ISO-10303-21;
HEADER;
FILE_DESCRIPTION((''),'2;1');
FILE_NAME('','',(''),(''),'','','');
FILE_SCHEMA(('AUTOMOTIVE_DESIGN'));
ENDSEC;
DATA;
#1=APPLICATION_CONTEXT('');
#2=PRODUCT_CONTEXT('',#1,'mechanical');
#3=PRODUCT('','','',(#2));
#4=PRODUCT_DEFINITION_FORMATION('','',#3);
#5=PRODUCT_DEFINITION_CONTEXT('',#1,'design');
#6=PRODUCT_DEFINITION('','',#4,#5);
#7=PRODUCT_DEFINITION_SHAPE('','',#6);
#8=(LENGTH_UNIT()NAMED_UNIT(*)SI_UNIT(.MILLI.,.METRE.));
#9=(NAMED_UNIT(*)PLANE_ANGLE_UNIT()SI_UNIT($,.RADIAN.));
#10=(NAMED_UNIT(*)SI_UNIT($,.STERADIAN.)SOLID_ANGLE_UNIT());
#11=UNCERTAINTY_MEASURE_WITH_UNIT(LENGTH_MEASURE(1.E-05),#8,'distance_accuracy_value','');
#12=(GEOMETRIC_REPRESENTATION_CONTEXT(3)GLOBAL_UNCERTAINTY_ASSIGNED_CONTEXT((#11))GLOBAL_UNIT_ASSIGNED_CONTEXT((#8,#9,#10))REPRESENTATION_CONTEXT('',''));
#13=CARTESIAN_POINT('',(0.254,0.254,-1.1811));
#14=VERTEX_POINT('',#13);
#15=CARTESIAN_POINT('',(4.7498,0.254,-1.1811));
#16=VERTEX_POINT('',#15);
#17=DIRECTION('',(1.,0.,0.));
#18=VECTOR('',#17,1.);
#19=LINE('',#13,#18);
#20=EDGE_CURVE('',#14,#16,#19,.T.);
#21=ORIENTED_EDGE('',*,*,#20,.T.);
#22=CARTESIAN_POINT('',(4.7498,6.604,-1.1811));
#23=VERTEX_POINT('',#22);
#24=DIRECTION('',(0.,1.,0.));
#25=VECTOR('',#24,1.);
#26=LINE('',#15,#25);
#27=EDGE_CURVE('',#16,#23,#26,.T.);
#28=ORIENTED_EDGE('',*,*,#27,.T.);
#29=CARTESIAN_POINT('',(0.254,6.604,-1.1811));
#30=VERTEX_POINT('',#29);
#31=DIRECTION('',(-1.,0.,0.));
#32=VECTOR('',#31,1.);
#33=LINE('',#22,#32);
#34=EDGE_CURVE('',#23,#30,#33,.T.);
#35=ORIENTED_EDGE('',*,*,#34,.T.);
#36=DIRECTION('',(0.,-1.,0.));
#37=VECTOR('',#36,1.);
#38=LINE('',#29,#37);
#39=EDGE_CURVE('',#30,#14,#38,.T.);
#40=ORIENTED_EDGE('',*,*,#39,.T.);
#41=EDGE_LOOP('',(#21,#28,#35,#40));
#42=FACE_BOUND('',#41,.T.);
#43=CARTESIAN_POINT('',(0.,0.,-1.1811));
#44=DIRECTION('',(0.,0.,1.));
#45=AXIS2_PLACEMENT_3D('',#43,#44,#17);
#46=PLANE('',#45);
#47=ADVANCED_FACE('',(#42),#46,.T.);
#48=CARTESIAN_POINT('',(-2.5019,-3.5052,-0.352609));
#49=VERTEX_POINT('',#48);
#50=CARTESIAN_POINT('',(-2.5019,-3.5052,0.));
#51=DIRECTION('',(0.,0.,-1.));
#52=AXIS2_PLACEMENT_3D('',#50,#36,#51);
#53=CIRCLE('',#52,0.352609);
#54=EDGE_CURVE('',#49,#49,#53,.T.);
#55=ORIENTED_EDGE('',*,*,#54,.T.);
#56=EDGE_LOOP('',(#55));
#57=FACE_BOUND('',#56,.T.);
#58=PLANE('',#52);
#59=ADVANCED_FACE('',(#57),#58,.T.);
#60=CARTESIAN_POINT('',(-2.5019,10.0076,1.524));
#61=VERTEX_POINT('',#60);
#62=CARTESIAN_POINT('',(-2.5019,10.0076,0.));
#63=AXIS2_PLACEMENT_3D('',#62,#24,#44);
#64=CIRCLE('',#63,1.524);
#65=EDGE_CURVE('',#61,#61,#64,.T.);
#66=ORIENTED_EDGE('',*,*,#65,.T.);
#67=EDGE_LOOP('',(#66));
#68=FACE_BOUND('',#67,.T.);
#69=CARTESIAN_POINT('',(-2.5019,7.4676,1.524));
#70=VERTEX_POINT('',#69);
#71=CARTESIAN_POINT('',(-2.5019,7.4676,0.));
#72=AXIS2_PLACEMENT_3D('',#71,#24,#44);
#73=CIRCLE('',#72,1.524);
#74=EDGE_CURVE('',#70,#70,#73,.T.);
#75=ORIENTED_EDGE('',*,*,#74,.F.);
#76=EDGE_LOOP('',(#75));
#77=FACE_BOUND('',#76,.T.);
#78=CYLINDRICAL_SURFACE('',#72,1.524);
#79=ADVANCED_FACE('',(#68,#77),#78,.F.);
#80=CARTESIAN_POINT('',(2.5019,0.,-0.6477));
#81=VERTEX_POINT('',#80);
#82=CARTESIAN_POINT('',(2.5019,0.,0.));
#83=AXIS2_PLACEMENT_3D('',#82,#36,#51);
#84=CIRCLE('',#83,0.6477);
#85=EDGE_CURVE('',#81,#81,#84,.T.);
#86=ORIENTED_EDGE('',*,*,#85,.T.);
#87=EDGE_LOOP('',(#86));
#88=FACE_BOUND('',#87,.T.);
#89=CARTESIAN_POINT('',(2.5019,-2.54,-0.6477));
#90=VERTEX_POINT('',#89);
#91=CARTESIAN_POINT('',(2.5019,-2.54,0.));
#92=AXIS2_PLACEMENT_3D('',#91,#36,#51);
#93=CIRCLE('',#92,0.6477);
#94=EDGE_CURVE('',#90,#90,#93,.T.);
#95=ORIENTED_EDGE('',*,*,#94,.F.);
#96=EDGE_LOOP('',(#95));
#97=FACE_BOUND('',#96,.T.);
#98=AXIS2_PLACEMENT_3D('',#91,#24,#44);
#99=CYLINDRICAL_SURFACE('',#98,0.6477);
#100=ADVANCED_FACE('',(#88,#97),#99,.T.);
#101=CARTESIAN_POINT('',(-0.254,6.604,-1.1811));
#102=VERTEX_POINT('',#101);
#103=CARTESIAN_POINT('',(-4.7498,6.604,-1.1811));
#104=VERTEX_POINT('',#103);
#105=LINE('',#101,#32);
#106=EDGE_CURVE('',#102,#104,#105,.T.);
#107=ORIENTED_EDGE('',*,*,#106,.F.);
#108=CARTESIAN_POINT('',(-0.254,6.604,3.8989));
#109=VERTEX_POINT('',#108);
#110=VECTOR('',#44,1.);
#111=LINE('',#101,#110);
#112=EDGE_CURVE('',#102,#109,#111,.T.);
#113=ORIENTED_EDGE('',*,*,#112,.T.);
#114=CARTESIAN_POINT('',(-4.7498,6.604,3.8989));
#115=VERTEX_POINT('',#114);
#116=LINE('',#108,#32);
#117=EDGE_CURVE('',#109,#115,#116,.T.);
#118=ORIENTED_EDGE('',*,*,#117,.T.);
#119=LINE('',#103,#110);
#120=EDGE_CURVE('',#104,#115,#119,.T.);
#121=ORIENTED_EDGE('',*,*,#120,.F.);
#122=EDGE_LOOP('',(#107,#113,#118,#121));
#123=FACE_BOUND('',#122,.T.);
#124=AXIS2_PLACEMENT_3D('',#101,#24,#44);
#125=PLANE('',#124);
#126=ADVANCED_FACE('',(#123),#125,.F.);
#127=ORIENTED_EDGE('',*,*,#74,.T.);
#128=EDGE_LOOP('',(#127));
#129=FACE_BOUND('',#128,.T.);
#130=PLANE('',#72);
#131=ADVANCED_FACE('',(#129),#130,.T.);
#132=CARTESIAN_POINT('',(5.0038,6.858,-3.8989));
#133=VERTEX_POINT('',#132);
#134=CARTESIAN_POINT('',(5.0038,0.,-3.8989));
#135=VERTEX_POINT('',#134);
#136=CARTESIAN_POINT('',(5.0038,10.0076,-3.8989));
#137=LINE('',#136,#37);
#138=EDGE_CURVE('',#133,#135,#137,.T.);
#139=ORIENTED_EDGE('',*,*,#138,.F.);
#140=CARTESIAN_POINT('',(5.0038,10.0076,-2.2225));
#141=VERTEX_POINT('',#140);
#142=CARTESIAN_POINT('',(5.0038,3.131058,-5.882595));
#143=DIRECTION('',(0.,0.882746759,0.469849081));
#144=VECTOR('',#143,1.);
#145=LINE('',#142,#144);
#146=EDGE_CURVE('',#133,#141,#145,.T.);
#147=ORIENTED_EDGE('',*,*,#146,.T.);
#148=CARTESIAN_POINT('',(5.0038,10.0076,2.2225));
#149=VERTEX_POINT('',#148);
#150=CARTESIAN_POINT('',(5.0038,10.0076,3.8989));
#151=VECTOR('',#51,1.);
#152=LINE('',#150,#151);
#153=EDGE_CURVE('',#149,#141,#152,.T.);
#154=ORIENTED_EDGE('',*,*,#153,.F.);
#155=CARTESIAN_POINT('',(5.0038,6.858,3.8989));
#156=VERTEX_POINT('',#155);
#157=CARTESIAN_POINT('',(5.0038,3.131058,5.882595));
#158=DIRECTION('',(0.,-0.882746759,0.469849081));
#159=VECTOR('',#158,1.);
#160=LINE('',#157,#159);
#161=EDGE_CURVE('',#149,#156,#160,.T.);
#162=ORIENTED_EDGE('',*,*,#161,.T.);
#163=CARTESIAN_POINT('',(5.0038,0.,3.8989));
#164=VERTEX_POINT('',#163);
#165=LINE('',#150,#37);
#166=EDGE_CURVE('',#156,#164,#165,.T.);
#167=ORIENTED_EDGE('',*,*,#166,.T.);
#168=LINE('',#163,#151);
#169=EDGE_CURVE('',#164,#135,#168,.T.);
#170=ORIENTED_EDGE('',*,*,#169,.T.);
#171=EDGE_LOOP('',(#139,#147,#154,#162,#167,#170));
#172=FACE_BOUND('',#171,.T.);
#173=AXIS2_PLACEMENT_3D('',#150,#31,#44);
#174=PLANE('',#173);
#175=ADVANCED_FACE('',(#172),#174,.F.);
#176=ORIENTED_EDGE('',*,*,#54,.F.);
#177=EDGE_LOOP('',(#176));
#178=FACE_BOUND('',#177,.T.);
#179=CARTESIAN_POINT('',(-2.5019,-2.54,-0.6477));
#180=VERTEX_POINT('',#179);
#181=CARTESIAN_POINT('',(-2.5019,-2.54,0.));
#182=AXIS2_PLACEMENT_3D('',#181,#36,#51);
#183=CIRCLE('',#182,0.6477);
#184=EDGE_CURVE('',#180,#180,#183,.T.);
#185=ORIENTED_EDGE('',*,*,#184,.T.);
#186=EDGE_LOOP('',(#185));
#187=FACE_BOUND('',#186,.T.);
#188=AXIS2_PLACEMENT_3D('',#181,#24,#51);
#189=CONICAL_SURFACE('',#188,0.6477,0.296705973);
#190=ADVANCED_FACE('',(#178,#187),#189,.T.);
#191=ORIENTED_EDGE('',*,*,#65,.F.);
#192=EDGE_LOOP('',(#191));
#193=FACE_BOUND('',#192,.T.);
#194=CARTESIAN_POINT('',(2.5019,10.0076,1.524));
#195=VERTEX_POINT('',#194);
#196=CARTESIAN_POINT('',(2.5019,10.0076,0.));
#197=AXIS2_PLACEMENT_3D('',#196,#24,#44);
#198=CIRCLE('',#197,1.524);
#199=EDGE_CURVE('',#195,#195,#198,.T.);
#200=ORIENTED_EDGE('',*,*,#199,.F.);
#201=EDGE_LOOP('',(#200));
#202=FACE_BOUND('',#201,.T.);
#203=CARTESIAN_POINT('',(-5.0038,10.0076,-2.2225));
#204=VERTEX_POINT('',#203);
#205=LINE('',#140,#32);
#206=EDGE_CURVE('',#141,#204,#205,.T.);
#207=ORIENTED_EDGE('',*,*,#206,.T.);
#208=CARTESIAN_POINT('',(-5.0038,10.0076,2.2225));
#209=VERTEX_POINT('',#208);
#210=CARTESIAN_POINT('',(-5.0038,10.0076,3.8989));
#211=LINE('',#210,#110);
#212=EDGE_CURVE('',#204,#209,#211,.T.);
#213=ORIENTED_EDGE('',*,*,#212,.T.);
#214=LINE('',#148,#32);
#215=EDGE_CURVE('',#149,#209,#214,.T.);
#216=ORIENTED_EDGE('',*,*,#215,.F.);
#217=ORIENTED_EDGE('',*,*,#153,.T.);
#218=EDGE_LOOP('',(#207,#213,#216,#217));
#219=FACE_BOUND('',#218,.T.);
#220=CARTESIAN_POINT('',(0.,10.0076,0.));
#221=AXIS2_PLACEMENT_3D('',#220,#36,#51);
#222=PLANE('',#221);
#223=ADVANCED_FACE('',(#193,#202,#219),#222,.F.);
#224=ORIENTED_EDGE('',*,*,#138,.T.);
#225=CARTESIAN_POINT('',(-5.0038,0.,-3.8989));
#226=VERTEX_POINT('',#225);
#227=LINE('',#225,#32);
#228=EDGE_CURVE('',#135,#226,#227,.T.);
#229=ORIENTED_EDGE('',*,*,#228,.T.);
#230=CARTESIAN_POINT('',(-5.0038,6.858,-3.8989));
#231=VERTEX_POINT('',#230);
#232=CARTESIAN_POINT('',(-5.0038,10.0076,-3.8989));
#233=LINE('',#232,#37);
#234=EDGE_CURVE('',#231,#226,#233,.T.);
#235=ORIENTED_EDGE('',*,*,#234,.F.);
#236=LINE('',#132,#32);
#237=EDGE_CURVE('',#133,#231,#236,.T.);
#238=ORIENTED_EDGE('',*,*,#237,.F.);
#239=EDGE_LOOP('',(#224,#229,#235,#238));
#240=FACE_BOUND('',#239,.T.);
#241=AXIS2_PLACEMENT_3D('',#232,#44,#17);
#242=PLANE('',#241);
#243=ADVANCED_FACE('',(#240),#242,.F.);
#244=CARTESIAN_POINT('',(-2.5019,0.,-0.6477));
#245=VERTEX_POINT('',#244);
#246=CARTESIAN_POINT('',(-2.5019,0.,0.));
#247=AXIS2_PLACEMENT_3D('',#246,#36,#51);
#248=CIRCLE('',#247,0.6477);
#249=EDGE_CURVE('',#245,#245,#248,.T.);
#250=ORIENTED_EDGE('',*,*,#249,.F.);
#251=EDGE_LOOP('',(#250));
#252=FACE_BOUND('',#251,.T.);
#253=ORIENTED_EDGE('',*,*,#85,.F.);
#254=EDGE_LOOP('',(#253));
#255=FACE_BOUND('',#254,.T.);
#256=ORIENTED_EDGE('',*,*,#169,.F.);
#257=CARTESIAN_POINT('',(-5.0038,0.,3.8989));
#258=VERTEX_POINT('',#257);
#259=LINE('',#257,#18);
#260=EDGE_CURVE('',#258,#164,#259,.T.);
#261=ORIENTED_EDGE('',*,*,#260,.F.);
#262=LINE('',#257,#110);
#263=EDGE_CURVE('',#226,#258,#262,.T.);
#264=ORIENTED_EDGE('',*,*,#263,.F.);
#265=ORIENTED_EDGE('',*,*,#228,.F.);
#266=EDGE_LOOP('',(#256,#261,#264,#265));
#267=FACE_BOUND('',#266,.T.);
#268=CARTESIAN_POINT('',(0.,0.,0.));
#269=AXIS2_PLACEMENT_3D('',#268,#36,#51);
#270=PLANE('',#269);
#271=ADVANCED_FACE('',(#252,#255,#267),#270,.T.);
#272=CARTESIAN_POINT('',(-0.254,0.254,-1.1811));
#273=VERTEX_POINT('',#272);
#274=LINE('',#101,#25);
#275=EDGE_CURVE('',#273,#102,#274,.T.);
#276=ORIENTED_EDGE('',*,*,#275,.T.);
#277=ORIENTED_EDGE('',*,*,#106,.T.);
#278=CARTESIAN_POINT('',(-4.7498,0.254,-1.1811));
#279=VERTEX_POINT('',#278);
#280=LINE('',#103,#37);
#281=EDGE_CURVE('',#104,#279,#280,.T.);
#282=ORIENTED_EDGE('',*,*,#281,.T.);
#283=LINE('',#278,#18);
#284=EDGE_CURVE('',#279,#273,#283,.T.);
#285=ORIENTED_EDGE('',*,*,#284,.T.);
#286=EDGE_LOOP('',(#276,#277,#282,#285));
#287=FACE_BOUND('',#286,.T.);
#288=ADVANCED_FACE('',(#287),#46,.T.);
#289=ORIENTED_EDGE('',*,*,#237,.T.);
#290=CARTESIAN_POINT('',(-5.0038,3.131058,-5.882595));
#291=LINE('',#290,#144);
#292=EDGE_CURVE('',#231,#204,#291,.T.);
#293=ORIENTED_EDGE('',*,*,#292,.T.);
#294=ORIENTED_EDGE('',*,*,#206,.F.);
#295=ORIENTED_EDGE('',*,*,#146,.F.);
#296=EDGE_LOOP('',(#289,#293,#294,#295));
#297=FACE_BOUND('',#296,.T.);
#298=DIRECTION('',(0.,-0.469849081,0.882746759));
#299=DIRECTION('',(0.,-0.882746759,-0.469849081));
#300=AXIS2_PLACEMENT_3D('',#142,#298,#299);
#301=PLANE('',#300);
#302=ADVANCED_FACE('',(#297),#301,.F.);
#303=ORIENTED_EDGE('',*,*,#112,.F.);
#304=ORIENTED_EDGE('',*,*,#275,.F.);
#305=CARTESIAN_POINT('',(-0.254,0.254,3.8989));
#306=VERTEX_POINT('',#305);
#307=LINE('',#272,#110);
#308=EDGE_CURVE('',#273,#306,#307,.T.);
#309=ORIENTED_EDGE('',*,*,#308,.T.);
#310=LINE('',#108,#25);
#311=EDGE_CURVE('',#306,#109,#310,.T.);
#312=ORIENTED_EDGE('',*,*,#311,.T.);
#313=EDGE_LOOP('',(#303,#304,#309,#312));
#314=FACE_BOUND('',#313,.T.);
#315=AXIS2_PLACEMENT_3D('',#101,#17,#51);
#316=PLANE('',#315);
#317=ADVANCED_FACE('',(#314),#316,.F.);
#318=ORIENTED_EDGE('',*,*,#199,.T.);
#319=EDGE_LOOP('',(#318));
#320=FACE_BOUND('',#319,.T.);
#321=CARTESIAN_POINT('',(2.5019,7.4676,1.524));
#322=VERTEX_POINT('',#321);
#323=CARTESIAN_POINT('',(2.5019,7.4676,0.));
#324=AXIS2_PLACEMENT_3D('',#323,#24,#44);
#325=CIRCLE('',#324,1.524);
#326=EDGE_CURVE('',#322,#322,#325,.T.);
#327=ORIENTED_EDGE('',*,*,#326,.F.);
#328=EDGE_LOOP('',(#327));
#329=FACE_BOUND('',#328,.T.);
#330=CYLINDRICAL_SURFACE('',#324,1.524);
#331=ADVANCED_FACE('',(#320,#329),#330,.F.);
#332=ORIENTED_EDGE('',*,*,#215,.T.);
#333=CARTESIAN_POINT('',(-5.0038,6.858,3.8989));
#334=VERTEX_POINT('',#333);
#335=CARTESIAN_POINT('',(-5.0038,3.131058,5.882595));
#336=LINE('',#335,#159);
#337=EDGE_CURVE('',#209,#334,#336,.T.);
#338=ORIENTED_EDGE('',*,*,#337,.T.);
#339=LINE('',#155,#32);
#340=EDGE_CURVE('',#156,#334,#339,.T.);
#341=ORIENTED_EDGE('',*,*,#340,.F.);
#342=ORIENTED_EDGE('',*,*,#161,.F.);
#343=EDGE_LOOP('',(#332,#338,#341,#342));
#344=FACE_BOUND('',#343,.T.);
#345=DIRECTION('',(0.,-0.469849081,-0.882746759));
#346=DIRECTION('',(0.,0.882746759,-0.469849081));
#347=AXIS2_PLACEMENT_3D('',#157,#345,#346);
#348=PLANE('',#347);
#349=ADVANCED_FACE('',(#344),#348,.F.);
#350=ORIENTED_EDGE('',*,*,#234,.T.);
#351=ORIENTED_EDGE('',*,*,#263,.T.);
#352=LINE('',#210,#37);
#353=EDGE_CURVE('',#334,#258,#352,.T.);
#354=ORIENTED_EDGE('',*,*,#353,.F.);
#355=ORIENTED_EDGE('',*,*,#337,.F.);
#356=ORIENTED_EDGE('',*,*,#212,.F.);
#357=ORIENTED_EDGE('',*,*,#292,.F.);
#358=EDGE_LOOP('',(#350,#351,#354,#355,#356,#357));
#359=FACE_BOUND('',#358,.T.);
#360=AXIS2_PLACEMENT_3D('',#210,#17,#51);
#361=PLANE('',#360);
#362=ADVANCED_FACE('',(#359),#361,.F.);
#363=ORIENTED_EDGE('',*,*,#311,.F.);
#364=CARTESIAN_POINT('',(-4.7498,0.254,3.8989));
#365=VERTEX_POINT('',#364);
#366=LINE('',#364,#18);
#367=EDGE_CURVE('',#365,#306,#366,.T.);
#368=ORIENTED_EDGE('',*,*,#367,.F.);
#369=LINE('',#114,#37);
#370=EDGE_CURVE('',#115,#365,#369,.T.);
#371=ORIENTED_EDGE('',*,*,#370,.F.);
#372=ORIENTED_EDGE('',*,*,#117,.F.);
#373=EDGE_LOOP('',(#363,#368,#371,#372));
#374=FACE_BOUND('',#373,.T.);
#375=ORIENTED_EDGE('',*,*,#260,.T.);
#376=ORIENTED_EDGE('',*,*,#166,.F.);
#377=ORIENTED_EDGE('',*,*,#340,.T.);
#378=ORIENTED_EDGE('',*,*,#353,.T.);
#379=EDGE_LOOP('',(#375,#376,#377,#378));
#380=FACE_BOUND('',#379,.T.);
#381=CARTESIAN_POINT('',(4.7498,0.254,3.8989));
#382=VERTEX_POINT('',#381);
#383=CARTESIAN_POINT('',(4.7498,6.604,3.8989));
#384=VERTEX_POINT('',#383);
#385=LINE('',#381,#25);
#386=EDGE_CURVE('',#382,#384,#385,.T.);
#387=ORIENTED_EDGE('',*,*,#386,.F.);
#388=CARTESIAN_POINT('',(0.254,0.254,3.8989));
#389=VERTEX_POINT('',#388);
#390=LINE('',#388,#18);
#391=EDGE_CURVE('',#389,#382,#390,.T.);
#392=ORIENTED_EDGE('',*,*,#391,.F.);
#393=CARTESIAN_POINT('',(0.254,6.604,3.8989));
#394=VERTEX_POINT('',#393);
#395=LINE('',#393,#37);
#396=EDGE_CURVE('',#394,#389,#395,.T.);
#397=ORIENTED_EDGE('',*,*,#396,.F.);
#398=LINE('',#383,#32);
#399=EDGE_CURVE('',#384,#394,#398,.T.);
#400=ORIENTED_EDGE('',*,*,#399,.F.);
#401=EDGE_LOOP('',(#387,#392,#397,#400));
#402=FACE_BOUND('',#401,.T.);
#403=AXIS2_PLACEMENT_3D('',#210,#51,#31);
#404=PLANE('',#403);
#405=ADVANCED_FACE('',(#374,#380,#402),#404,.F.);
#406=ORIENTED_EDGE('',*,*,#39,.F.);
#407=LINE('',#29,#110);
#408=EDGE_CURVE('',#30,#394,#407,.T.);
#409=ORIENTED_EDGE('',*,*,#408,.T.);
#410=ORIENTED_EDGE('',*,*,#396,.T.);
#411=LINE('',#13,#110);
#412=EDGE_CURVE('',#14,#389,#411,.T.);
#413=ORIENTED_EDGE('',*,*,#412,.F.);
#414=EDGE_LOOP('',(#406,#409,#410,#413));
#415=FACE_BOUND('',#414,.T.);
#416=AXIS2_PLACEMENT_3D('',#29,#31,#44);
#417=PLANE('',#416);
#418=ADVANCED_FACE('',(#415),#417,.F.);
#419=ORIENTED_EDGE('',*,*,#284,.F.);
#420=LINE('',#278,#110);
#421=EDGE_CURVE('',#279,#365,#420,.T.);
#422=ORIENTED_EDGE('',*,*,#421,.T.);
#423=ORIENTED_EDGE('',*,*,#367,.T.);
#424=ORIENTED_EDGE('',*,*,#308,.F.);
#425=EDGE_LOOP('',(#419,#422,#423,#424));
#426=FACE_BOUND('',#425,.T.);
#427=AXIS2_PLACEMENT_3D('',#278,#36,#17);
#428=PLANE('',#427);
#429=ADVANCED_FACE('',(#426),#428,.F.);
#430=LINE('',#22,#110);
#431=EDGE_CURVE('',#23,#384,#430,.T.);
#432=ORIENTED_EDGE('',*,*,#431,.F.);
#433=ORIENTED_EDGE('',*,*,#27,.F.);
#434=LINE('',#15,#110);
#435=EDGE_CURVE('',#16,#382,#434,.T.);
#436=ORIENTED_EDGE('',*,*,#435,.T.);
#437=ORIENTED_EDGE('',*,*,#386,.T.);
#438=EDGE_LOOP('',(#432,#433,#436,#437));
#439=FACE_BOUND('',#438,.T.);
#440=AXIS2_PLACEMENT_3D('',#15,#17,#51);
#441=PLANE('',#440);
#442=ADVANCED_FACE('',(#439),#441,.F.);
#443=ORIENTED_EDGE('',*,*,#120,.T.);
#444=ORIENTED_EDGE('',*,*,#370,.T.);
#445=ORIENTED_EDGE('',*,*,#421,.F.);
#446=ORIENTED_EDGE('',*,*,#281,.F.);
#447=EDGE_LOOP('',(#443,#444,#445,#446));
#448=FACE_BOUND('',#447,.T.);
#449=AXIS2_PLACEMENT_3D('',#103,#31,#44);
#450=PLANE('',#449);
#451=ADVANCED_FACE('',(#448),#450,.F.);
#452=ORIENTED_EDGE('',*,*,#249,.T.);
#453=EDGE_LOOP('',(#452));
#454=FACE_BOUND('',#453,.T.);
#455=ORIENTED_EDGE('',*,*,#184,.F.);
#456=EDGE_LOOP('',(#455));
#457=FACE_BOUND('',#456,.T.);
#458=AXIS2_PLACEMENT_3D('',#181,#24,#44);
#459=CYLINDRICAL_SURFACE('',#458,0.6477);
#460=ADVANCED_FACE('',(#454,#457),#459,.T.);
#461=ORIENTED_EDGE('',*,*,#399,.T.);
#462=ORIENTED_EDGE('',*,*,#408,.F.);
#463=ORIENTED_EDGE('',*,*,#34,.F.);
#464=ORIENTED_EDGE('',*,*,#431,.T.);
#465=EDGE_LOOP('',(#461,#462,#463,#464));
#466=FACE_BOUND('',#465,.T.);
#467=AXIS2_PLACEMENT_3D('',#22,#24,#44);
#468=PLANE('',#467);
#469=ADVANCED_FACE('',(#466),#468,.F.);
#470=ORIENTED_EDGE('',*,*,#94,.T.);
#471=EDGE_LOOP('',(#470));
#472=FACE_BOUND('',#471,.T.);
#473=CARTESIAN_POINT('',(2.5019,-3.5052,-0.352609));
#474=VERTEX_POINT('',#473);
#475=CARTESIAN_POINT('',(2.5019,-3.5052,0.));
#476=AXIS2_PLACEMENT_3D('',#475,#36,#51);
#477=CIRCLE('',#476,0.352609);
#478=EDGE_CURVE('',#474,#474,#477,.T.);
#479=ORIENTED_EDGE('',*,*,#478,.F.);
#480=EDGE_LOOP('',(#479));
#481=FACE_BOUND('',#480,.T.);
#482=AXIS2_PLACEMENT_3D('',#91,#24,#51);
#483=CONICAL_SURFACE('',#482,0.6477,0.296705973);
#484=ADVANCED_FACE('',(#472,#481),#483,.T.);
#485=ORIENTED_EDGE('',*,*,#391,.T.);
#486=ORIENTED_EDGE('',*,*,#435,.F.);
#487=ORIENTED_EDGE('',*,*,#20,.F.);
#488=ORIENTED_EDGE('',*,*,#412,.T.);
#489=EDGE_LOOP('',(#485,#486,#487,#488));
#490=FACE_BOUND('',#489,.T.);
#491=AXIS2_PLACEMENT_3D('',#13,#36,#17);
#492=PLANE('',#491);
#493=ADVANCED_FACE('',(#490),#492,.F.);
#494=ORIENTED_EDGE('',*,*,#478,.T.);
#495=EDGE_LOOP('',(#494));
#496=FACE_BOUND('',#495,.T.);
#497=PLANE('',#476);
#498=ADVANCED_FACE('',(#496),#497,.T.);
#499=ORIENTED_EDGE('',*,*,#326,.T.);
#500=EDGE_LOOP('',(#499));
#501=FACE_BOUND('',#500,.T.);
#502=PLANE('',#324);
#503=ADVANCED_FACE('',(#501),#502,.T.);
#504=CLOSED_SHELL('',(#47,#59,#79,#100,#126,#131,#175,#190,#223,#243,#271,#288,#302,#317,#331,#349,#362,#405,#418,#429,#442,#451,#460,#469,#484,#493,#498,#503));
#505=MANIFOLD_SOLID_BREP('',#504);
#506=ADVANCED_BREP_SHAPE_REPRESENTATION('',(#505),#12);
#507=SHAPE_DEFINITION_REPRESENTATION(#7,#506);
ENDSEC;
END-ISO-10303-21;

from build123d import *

# Parameters (mm, degrees)
SKETCH3_W                     = 10.0076
SKETCH3_H                     = 7.7978
BOSS_EXTRUDE1_DEPTH           = 10.0076
CUT_EXTRUDE1_DEPTH            = 10.0076
SKETCH5_R                     = 1.524
CUT_EXTRUDE2_DEPTH            = 2.54
SKETCH6_W                     = 4.4958
SKETCH6_H                     = 6.35
CUT_EXTRUDE3_DEPTH            = 5.08
SKETCH8_R                     = 0.6477
BOSS_EXTRUDE2_DEPTH           = 2.54
SKETCH9_R                     = 0.6477
BOSS_EXTRUDE3_DEPTH           = 0.9652
BOSS_EXTRUDE3_DRAFT           = 17
BOSS_EXTRUDE3_PROFILE_2_DEPTH = 0.9652
BOSS_EXTRUDE3_PROFILE_2_DRAFT = 17


with BuildPart() as part:
    # Sketch3 → Boss-Extrude1 (new body)
    with BuildSketch(Plane(origin=(0, 0, 0), x_dir=(1, 0, 0), z_dir=(0, 1, 0))):
        Rectangle(SKETCH3_W, SKETCH3_H)
    extrude(amount=BOSS_EXTRUDE1_DEPTH)

    # Sketch4 → Cut-Extrude1 (cut)
    with BuildSketch(Plane.ZY.offset(5.0038)):
        Polygon((-3.8989, 10.0076), (-3.8989, 6.858), (-2.2225, 10.0076), align=None)
        Polygon((3.8989, 10.0076), (2.2225, 10.0076), (3.8989, 6.858), align=None)
    extrude(amount=-CUT_EXTRUDE1_DEPTH, mode=Mode.SUBTRACT)

    # Sketch5 → Cut-Extrude2 (cut)
    with BuildSketch(Plane(origin=(0, 10.0076, 0), x_dir=(1, 0, 0), z_dir=(0, 1, 0))):
        with Locations(Location((-2.5019, 0, 0), (0, 0, 270))):
            Circle(SKETCH5_R)
        with Locations(Location((2.5019, 0, 0), (0, 0, 270))):
            Circle(SKETCH5_R)
    extrude(amount=-CUT_EXTRUDE2_DEPTH, mode=Mode.SUBTRACT)

    # Sketch6 → Cut-Extrude3 (cut)
    with BuildSketch(Plane.XY.offset(3.8989)):
        with Locations((-2.5019, 3.429)):
            Rectangle(SKETCH6_W, SKETCH6_H)
        with Locations((2.5019, 3.429)):
            Rectangle(SKETCH6_W, SKETCH6_H)
    extrude(amount=-CUT_EXTRUDE3_DEPTH, mode=Mode.SUBTRACT)

    # Sketch8 → Boss-Extrude2 (add)
    with BuildSketch(Plane.XZ):
        with Locations(Location((-2.5019, 0, 0), (0, 0, 270))):
            Circle(SKETCH8_R)
        with Locations(Location((2.5019, 0, 0), (0, 0, 270))):
            Circle(SKETCH8_R)
    extrude(amount=BOSS_EXTRUDE2_DEPTH)


with BuildPart() as boss_extrude3_tool:
    # Sketch9 → Boss-Extrude3 (with draft: the straight prism first)
    with BuildSketch(Plane.XZ.offset(2.54)):
        with Locations(Location((2.5019, 0, 0), (0, 0, 270))):
            Circle(SKETCH9_R)
    extrude(amount=BOSS_EXTRUDE3_DEPTH)
    # Boss-Extrude3: the draft: its side faces are tilted about the plane it starts from
    boss_extrude3_sides = [boss_extrude3_tool.faces().sort_by_distance(p)[0] for p in [
        (2.5019, -3.0226, 0.6477),
    ]]
    draft(boss_extrude3_sides, Plane.XZ.offset(2.54), BOSS_EXTRUDE3_DRAFT)


with BuildPart() as part_1:
    add(part.part)

    # Boss-Extrude3: add boss_extrude3_tool
    add(boss_extrude3_tool.part)


with BuildPart() as boss_extrude3_profile_2_tool:
    # Sketch9 → Boss-Extrude3 profile 2 (with draft: the straight prism first)
    with BuildSketch(Plane.XZ.offset(2.54)):
        with Locations(Location((-2.5019, 0, 0), (0, 0, 270))):
            Circle(SKETCH9_R)
    extrude(amount=BOSS_EXTRUDE3_PROFILE_2_DEPTH)
    # Boss-Extrude3 profile 2: the draft: its side faces are tilted about the plane it starts from
    boss_extrude3_profile_2_sides = [boss_extrude3_profile_2_tool.faces().sort_by_distance(p)[0] for p in [
        (-2.5019, -3.0226, 0.6477),
    ]]
    draft(boss_extrude3_profile_2_sides, Plane.XZ.offset(2.54), BOSS_EXTRUDE3_PROFILE_2_DRAFT)


with BuildPart() as part_2:
    add(part_1.part)

    # Boss-Extrude3 profile 2: add boss_extrude3_profile_2_tool
    add(boss_extrude3_profile_2_tool.part)


solid = part_2.part
